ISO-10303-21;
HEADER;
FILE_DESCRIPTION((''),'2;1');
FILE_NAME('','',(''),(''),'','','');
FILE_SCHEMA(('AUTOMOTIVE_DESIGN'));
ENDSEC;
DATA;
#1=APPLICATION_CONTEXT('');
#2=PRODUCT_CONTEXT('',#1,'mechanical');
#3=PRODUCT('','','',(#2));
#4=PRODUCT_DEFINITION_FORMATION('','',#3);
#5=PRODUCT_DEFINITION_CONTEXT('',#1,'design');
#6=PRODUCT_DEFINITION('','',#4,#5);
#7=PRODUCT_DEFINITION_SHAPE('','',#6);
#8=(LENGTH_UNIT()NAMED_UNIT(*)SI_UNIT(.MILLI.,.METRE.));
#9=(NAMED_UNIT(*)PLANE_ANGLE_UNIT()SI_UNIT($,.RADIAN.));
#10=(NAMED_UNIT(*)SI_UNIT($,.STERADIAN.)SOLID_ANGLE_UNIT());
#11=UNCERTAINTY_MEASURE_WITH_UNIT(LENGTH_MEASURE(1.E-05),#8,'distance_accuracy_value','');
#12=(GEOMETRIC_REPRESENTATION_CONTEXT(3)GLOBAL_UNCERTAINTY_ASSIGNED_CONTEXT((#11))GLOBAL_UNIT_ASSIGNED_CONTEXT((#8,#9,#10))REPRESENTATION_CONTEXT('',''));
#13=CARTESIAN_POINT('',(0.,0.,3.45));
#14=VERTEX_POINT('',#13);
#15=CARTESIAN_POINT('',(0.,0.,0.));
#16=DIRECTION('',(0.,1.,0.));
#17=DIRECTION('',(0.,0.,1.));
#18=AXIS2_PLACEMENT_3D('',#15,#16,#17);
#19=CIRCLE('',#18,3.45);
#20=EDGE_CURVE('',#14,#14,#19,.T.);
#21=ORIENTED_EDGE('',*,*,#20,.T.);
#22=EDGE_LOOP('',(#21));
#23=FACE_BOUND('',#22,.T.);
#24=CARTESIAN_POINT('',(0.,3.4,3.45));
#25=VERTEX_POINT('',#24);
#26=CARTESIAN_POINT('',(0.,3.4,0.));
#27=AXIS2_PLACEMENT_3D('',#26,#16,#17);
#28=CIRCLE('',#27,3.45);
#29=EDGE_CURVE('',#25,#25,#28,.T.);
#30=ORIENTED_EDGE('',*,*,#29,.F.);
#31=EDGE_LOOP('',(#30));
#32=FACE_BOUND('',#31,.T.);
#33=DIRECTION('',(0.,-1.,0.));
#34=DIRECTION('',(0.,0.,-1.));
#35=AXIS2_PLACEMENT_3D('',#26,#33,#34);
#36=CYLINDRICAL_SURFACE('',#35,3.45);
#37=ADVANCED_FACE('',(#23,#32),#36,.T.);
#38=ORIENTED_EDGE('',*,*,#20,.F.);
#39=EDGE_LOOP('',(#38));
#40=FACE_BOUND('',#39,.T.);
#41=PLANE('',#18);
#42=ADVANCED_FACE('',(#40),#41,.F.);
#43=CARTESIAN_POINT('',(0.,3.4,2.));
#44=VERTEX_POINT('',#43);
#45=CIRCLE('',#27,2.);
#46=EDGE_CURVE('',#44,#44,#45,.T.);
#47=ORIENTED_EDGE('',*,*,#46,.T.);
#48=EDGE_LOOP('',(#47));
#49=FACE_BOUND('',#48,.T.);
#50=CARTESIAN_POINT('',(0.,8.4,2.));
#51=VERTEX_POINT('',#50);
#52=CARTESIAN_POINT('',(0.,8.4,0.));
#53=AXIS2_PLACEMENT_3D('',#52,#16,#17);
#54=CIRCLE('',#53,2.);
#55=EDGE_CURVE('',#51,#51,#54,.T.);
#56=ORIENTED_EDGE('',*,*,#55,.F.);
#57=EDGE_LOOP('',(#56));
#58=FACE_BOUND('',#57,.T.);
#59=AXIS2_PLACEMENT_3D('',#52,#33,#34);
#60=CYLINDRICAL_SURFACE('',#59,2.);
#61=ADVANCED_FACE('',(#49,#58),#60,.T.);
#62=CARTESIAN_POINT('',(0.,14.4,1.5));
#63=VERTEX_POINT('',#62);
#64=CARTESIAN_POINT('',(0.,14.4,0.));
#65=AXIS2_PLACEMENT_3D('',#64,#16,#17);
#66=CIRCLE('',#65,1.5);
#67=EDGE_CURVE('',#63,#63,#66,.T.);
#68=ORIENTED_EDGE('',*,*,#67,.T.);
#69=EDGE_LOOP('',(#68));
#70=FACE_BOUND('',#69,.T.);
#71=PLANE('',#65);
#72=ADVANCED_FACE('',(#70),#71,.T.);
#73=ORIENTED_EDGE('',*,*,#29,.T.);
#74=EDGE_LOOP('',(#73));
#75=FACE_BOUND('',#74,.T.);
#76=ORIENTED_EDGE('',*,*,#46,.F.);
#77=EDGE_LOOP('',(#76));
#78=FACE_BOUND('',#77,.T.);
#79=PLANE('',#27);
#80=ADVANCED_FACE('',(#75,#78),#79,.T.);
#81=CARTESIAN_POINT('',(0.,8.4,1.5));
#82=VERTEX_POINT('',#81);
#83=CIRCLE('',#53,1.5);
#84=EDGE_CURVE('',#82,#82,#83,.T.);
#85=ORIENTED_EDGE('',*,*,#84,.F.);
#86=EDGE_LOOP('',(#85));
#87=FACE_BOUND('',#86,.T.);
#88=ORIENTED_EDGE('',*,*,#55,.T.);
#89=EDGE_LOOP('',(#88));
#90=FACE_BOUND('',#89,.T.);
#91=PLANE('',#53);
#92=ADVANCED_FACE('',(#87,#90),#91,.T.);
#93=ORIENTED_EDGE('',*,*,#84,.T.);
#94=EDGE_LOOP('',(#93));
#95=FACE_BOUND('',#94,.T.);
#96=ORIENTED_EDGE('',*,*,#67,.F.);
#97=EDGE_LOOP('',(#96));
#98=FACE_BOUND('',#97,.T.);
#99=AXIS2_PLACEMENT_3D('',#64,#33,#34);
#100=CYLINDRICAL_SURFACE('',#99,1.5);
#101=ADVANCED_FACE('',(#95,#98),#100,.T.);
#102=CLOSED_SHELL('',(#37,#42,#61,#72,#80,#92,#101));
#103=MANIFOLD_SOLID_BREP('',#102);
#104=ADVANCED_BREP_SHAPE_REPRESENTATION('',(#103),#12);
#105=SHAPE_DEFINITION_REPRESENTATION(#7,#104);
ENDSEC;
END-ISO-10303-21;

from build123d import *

# Parameters (mm, degrees)
SKETCH_1_R      = 3.45
EXTRUDE_1_DEPTH = 3.4
SKETCH_2_R      = 2
EXTRUDE_2_DEPTH = 5
SKETCH_3_R      = 1.5
EXTRUDE_3_DEPTH = 6


with BuildPart() as part:
    # 草图1 → 凸台-拉伸1 (new body)
    with BuildSketch(Plane(origin=(0, 0, 0), x_dir=(1, 0, 0), z_dir=(0, 1, 0))):
        Circle(SKETCH_1_R)
    extrude(amount=EXTRUDE_1_DEPTH)

    # 草图2 → 凸台-拉伸2 (add)
    with BuildSketch(Plane(origin=(0, 3.4, 0), x_dir=(1, 0, 0), z_dir=(0, 1, 0))):
        Circle(SKETCH_2_R)
    extrude(amount=EXTRUDE_2_DEPTH)

    # 草图3 → 凸台-拉伸3 (add)
    with BuildSketch(Plane(origin=(0, 8.4, 0), x_dir=(1, 0, 0), z_dir=(0, 1, 0))):
        Circle(SKETCH_3_R)
    extrude(amount=EXTRUDE_3_DEPTH)


solid = part.part
